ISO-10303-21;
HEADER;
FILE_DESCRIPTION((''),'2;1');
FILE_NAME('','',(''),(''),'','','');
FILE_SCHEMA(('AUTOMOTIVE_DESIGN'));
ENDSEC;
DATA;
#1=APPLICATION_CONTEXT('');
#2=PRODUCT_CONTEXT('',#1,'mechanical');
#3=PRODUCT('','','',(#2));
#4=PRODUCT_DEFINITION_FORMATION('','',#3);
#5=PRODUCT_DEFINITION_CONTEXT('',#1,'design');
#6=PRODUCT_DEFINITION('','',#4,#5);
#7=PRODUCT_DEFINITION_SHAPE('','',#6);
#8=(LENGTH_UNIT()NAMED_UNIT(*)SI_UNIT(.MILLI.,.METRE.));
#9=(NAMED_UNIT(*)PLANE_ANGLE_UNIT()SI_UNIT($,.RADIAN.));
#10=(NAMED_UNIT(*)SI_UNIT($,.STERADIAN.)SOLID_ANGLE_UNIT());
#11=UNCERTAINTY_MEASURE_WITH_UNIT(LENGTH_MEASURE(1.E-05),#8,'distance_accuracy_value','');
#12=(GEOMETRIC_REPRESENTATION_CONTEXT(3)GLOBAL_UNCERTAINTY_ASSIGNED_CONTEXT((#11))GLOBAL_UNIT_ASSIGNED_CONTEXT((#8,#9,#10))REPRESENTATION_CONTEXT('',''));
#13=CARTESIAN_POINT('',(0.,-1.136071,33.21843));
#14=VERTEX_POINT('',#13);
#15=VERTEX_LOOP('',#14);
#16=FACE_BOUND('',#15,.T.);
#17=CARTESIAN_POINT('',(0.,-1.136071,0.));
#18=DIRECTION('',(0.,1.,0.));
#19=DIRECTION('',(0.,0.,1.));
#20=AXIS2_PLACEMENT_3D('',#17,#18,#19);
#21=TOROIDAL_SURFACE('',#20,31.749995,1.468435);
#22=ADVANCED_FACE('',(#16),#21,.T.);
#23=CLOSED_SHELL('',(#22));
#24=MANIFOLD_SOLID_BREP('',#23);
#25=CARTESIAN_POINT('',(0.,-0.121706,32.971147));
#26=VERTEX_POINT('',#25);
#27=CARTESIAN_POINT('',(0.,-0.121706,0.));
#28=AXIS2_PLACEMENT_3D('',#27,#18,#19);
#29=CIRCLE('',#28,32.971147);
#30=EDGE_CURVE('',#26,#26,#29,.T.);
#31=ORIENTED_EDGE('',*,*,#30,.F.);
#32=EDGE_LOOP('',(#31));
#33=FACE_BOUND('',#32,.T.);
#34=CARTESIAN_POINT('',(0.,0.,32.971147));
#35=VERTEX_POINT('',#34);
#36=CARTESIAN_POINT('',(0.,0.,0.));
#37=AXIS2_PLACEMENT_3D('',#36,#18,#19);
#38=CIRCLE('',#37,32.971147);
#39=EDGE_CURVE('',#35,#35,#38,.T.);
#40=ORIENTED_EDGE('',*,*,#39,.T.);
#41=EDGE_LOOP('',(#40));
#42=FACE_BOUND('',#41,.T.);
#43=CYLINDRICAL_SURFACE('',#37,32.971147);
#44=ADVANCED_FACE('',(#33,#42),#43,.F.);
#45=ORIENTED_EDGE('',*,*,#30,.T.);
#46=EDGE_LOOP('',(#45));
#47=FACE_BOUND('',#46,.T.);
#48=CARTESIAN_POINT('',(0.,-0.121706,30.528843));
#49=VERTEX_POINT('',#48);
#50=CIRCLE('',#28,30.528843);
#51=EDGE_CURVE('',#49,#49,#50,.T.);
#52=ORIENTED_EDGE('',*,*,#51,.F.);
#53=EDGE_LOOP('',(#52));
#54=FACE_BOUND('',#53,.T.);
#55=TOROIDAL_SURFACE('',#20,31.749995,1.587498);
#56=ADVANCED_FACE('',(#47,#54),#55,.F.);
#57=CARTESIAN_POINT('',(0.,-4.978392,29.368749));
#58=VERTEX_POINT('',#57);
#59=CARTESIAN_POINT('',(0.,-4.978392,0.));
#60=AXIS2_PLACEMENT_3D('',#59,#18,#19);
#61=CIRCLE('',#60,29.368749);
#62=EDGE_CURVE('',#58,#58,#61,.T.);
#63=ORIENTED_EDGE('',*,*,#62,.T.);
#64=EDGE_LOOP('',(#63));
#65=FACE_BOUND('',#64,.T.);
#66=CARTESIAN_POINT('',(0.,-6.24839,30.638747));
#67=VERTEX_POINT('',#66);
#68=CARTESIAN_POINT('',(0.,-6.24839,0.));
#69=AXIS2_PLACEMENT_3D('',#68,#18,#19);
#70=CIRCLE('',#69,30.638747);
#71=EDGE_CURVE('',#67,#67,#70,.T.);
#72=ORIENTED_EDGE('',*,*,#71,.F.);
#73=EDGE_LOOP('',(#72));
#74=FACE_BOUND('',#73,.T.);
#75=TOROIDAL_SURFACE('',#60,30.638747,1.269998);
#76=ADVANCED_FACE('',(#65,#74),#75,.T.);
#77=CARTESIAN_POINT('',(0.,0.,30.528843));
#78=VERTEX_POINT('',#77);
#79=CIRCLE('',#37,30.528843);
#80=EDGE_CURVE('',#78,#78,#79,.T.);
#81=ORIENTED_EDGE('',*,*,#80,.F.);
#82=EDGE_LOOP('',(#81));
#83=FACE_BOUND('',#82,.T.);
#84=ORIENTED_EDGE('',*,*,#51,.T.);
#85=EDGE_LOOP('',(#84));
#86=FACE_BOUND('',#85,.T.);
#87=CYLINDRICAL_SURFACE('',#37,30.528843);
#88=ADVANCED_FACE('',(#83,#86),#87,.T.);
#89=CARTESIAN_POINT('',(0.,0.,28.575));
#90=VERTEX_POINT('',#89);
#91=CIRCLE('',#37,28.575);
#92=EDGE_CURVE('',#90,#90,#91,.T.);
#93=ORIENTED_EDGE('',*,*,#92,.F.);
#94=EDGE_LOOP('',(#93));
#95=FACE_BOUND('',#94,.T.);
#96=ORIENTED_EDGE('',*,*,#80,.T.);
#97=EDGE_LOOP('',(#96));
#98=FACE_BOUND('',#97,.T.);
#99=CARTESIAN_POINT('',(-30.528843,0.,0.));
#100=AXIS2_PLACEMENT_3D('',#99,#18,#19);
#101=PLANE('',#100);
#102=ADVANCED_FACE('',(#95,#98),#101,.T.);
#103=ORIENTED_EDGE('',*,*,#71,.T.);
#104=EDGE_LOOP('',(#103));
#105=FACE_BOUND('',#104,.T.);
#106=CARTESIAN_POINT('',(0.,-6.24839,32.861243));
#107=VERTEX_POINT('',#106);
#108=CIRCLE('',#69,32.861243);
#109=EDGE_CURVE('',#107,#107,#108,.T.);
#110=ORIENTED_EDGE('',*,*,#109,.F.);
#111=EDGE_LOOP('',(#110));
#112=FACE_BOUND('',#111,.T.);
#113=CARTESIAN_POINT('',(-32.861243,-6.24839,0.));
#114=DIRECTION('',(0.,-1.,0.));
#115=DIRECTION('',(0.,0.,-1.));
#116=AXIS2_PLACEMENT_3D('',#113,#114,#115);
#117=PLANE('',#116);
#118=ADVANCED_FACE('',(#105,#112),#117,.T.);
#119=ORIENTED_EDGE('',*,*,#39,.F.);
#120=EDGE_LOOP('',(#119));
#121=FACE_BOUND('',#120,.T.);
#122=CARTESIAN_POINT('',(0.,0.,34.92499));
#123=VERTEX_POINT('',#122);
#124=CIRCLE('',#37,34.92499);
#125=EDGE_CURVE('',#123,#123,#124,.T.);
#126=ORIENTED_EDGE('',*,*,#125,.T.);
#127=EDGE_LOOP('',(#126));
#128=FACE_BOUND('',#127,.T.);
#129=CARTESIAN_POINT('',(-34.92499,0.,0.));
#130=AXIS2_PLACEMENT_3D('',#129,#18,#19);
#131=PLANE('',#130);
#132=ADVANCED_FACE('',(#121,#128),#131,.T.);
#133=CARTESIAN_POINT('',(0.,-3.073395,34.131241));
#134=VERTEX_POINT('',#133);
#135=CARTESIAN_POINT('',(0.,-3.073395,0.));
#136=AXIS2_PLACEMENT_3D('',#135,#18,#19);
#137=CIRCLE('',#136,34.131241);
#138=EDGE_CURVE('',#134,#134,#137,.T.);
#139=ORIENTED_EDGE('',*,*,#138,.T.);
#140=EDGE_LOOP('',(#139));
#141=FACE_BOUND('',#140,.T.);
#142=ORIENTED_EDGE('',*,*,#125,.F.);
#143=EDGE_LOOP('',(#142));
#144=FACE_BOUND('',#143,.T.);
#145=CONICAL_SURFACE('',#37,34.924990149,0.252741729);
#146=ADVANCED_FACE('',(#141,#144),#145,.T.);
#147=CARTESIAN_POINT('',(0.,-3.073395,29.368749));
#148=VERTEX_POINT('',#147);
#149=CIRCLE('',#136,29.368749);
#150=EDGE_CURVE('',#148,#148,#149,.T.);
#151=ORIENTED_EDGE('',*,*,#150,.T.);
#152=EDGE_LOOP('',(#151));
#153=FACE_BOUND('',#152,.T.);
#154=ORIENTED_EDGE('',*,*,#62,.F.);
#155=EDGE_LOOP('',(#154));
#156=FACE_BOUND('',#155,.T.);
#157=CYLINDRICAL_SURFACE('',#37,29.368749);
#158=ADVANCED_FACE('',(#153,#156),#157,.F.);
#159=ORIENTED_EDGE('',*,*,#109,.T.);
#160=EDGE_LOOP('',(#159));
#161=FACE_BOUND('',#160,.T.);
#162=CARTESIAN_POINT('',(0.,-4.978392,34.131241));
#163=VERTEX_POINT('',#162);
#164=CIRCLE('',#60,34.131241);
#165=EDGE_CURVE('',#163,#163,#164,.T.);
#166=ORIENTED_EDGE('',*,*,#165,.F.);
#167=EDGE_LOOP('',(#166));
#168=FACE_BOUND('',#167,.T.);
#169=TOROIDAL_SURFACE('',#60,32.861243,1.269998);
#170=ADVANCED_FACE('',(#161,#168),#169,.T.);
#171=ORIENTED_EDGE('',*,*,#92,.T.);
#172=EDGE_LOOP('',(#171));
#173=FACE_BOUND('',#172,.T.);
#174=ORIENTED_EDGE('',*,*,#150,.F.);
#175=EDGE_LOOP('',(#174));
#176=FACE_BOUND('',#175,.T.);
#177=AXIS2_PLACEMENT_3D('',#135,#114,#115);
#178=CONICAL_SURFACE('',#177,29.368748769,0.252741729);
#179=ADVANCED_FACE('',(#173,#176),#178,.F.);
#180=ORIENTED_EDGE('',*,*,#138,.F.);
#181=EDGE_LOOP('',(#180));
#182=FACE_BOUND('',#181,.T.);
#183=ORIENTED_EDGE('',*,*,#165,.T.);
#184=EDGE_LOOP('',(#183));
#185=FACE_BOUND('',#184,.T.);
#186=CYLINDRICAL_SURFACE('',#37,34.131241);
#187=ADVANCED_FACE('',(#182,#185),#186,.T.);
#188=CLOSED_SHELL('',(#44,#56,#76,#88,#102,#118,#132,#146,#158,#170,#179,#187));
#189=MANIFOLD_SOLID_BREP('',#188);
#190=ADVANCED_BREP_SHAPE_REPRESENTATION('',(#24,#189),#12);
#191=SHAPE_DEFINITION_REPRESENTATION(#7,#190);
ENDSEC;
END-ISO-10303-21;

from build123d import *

# Parameters (mm, degrees)
SKETCH1_R = 1.468435222


with BuildPart() as part:
    # Sketch1 → Revolve1 (revolve)
    with BuildSketch(Plane.XY, mode=Mode.PRIVATE) as revolve1_sk:
        with Locations((-31.749995075, -1.136070965)):
            Circle(SKETCH1_R)
        with BuildLine():
            Line((-32.861243351, -6.248390307), (-30.638746798, -6.248390307))
            ThreePointArc((-30.638746798, -6.248390307), (-29.740722579, -5.876416496), (-29.368748769, -4.978392277))
            Line((-29.368748769, -4.978392277), (-29.368748769, -3.073395232))
            Line((-29.368748769, -3.073395232), (-28.575, 0))
            Line((-28.575, 0), (-30.528843123, 0))
            Line((-30.528843123, 0), (-30.528843123, -0.121705971))
            ThreePointArc((-30.528843123, -0.121705971), (-31.749995075, -2.723568502), (-32.971147026, -0.121705971))
            Line((-32.971147026, -0.121705971), (-32.971147026, 0))
            Line((-32.971147026, 0), (-34.924990149, 0))
            Line((-34.924990149, 0), (-34.13124138, -3.073395232))
            Line((-34.13124138, -3.073395232), (-34.13124138, -4.978392277))
            ThreePointArc((-34.13124138, -4.978392277), (-33.75926757, -5.876416496), (-32.861243351, -6.248390307))
        make_face()
    revolve(revolve1_sk.sketch.rotate(Axis((0, 0, 0), (0, -1, 0)), 270), axis=Axis((0, 0, 0), (0, -1, 0)))


solid = part.part
